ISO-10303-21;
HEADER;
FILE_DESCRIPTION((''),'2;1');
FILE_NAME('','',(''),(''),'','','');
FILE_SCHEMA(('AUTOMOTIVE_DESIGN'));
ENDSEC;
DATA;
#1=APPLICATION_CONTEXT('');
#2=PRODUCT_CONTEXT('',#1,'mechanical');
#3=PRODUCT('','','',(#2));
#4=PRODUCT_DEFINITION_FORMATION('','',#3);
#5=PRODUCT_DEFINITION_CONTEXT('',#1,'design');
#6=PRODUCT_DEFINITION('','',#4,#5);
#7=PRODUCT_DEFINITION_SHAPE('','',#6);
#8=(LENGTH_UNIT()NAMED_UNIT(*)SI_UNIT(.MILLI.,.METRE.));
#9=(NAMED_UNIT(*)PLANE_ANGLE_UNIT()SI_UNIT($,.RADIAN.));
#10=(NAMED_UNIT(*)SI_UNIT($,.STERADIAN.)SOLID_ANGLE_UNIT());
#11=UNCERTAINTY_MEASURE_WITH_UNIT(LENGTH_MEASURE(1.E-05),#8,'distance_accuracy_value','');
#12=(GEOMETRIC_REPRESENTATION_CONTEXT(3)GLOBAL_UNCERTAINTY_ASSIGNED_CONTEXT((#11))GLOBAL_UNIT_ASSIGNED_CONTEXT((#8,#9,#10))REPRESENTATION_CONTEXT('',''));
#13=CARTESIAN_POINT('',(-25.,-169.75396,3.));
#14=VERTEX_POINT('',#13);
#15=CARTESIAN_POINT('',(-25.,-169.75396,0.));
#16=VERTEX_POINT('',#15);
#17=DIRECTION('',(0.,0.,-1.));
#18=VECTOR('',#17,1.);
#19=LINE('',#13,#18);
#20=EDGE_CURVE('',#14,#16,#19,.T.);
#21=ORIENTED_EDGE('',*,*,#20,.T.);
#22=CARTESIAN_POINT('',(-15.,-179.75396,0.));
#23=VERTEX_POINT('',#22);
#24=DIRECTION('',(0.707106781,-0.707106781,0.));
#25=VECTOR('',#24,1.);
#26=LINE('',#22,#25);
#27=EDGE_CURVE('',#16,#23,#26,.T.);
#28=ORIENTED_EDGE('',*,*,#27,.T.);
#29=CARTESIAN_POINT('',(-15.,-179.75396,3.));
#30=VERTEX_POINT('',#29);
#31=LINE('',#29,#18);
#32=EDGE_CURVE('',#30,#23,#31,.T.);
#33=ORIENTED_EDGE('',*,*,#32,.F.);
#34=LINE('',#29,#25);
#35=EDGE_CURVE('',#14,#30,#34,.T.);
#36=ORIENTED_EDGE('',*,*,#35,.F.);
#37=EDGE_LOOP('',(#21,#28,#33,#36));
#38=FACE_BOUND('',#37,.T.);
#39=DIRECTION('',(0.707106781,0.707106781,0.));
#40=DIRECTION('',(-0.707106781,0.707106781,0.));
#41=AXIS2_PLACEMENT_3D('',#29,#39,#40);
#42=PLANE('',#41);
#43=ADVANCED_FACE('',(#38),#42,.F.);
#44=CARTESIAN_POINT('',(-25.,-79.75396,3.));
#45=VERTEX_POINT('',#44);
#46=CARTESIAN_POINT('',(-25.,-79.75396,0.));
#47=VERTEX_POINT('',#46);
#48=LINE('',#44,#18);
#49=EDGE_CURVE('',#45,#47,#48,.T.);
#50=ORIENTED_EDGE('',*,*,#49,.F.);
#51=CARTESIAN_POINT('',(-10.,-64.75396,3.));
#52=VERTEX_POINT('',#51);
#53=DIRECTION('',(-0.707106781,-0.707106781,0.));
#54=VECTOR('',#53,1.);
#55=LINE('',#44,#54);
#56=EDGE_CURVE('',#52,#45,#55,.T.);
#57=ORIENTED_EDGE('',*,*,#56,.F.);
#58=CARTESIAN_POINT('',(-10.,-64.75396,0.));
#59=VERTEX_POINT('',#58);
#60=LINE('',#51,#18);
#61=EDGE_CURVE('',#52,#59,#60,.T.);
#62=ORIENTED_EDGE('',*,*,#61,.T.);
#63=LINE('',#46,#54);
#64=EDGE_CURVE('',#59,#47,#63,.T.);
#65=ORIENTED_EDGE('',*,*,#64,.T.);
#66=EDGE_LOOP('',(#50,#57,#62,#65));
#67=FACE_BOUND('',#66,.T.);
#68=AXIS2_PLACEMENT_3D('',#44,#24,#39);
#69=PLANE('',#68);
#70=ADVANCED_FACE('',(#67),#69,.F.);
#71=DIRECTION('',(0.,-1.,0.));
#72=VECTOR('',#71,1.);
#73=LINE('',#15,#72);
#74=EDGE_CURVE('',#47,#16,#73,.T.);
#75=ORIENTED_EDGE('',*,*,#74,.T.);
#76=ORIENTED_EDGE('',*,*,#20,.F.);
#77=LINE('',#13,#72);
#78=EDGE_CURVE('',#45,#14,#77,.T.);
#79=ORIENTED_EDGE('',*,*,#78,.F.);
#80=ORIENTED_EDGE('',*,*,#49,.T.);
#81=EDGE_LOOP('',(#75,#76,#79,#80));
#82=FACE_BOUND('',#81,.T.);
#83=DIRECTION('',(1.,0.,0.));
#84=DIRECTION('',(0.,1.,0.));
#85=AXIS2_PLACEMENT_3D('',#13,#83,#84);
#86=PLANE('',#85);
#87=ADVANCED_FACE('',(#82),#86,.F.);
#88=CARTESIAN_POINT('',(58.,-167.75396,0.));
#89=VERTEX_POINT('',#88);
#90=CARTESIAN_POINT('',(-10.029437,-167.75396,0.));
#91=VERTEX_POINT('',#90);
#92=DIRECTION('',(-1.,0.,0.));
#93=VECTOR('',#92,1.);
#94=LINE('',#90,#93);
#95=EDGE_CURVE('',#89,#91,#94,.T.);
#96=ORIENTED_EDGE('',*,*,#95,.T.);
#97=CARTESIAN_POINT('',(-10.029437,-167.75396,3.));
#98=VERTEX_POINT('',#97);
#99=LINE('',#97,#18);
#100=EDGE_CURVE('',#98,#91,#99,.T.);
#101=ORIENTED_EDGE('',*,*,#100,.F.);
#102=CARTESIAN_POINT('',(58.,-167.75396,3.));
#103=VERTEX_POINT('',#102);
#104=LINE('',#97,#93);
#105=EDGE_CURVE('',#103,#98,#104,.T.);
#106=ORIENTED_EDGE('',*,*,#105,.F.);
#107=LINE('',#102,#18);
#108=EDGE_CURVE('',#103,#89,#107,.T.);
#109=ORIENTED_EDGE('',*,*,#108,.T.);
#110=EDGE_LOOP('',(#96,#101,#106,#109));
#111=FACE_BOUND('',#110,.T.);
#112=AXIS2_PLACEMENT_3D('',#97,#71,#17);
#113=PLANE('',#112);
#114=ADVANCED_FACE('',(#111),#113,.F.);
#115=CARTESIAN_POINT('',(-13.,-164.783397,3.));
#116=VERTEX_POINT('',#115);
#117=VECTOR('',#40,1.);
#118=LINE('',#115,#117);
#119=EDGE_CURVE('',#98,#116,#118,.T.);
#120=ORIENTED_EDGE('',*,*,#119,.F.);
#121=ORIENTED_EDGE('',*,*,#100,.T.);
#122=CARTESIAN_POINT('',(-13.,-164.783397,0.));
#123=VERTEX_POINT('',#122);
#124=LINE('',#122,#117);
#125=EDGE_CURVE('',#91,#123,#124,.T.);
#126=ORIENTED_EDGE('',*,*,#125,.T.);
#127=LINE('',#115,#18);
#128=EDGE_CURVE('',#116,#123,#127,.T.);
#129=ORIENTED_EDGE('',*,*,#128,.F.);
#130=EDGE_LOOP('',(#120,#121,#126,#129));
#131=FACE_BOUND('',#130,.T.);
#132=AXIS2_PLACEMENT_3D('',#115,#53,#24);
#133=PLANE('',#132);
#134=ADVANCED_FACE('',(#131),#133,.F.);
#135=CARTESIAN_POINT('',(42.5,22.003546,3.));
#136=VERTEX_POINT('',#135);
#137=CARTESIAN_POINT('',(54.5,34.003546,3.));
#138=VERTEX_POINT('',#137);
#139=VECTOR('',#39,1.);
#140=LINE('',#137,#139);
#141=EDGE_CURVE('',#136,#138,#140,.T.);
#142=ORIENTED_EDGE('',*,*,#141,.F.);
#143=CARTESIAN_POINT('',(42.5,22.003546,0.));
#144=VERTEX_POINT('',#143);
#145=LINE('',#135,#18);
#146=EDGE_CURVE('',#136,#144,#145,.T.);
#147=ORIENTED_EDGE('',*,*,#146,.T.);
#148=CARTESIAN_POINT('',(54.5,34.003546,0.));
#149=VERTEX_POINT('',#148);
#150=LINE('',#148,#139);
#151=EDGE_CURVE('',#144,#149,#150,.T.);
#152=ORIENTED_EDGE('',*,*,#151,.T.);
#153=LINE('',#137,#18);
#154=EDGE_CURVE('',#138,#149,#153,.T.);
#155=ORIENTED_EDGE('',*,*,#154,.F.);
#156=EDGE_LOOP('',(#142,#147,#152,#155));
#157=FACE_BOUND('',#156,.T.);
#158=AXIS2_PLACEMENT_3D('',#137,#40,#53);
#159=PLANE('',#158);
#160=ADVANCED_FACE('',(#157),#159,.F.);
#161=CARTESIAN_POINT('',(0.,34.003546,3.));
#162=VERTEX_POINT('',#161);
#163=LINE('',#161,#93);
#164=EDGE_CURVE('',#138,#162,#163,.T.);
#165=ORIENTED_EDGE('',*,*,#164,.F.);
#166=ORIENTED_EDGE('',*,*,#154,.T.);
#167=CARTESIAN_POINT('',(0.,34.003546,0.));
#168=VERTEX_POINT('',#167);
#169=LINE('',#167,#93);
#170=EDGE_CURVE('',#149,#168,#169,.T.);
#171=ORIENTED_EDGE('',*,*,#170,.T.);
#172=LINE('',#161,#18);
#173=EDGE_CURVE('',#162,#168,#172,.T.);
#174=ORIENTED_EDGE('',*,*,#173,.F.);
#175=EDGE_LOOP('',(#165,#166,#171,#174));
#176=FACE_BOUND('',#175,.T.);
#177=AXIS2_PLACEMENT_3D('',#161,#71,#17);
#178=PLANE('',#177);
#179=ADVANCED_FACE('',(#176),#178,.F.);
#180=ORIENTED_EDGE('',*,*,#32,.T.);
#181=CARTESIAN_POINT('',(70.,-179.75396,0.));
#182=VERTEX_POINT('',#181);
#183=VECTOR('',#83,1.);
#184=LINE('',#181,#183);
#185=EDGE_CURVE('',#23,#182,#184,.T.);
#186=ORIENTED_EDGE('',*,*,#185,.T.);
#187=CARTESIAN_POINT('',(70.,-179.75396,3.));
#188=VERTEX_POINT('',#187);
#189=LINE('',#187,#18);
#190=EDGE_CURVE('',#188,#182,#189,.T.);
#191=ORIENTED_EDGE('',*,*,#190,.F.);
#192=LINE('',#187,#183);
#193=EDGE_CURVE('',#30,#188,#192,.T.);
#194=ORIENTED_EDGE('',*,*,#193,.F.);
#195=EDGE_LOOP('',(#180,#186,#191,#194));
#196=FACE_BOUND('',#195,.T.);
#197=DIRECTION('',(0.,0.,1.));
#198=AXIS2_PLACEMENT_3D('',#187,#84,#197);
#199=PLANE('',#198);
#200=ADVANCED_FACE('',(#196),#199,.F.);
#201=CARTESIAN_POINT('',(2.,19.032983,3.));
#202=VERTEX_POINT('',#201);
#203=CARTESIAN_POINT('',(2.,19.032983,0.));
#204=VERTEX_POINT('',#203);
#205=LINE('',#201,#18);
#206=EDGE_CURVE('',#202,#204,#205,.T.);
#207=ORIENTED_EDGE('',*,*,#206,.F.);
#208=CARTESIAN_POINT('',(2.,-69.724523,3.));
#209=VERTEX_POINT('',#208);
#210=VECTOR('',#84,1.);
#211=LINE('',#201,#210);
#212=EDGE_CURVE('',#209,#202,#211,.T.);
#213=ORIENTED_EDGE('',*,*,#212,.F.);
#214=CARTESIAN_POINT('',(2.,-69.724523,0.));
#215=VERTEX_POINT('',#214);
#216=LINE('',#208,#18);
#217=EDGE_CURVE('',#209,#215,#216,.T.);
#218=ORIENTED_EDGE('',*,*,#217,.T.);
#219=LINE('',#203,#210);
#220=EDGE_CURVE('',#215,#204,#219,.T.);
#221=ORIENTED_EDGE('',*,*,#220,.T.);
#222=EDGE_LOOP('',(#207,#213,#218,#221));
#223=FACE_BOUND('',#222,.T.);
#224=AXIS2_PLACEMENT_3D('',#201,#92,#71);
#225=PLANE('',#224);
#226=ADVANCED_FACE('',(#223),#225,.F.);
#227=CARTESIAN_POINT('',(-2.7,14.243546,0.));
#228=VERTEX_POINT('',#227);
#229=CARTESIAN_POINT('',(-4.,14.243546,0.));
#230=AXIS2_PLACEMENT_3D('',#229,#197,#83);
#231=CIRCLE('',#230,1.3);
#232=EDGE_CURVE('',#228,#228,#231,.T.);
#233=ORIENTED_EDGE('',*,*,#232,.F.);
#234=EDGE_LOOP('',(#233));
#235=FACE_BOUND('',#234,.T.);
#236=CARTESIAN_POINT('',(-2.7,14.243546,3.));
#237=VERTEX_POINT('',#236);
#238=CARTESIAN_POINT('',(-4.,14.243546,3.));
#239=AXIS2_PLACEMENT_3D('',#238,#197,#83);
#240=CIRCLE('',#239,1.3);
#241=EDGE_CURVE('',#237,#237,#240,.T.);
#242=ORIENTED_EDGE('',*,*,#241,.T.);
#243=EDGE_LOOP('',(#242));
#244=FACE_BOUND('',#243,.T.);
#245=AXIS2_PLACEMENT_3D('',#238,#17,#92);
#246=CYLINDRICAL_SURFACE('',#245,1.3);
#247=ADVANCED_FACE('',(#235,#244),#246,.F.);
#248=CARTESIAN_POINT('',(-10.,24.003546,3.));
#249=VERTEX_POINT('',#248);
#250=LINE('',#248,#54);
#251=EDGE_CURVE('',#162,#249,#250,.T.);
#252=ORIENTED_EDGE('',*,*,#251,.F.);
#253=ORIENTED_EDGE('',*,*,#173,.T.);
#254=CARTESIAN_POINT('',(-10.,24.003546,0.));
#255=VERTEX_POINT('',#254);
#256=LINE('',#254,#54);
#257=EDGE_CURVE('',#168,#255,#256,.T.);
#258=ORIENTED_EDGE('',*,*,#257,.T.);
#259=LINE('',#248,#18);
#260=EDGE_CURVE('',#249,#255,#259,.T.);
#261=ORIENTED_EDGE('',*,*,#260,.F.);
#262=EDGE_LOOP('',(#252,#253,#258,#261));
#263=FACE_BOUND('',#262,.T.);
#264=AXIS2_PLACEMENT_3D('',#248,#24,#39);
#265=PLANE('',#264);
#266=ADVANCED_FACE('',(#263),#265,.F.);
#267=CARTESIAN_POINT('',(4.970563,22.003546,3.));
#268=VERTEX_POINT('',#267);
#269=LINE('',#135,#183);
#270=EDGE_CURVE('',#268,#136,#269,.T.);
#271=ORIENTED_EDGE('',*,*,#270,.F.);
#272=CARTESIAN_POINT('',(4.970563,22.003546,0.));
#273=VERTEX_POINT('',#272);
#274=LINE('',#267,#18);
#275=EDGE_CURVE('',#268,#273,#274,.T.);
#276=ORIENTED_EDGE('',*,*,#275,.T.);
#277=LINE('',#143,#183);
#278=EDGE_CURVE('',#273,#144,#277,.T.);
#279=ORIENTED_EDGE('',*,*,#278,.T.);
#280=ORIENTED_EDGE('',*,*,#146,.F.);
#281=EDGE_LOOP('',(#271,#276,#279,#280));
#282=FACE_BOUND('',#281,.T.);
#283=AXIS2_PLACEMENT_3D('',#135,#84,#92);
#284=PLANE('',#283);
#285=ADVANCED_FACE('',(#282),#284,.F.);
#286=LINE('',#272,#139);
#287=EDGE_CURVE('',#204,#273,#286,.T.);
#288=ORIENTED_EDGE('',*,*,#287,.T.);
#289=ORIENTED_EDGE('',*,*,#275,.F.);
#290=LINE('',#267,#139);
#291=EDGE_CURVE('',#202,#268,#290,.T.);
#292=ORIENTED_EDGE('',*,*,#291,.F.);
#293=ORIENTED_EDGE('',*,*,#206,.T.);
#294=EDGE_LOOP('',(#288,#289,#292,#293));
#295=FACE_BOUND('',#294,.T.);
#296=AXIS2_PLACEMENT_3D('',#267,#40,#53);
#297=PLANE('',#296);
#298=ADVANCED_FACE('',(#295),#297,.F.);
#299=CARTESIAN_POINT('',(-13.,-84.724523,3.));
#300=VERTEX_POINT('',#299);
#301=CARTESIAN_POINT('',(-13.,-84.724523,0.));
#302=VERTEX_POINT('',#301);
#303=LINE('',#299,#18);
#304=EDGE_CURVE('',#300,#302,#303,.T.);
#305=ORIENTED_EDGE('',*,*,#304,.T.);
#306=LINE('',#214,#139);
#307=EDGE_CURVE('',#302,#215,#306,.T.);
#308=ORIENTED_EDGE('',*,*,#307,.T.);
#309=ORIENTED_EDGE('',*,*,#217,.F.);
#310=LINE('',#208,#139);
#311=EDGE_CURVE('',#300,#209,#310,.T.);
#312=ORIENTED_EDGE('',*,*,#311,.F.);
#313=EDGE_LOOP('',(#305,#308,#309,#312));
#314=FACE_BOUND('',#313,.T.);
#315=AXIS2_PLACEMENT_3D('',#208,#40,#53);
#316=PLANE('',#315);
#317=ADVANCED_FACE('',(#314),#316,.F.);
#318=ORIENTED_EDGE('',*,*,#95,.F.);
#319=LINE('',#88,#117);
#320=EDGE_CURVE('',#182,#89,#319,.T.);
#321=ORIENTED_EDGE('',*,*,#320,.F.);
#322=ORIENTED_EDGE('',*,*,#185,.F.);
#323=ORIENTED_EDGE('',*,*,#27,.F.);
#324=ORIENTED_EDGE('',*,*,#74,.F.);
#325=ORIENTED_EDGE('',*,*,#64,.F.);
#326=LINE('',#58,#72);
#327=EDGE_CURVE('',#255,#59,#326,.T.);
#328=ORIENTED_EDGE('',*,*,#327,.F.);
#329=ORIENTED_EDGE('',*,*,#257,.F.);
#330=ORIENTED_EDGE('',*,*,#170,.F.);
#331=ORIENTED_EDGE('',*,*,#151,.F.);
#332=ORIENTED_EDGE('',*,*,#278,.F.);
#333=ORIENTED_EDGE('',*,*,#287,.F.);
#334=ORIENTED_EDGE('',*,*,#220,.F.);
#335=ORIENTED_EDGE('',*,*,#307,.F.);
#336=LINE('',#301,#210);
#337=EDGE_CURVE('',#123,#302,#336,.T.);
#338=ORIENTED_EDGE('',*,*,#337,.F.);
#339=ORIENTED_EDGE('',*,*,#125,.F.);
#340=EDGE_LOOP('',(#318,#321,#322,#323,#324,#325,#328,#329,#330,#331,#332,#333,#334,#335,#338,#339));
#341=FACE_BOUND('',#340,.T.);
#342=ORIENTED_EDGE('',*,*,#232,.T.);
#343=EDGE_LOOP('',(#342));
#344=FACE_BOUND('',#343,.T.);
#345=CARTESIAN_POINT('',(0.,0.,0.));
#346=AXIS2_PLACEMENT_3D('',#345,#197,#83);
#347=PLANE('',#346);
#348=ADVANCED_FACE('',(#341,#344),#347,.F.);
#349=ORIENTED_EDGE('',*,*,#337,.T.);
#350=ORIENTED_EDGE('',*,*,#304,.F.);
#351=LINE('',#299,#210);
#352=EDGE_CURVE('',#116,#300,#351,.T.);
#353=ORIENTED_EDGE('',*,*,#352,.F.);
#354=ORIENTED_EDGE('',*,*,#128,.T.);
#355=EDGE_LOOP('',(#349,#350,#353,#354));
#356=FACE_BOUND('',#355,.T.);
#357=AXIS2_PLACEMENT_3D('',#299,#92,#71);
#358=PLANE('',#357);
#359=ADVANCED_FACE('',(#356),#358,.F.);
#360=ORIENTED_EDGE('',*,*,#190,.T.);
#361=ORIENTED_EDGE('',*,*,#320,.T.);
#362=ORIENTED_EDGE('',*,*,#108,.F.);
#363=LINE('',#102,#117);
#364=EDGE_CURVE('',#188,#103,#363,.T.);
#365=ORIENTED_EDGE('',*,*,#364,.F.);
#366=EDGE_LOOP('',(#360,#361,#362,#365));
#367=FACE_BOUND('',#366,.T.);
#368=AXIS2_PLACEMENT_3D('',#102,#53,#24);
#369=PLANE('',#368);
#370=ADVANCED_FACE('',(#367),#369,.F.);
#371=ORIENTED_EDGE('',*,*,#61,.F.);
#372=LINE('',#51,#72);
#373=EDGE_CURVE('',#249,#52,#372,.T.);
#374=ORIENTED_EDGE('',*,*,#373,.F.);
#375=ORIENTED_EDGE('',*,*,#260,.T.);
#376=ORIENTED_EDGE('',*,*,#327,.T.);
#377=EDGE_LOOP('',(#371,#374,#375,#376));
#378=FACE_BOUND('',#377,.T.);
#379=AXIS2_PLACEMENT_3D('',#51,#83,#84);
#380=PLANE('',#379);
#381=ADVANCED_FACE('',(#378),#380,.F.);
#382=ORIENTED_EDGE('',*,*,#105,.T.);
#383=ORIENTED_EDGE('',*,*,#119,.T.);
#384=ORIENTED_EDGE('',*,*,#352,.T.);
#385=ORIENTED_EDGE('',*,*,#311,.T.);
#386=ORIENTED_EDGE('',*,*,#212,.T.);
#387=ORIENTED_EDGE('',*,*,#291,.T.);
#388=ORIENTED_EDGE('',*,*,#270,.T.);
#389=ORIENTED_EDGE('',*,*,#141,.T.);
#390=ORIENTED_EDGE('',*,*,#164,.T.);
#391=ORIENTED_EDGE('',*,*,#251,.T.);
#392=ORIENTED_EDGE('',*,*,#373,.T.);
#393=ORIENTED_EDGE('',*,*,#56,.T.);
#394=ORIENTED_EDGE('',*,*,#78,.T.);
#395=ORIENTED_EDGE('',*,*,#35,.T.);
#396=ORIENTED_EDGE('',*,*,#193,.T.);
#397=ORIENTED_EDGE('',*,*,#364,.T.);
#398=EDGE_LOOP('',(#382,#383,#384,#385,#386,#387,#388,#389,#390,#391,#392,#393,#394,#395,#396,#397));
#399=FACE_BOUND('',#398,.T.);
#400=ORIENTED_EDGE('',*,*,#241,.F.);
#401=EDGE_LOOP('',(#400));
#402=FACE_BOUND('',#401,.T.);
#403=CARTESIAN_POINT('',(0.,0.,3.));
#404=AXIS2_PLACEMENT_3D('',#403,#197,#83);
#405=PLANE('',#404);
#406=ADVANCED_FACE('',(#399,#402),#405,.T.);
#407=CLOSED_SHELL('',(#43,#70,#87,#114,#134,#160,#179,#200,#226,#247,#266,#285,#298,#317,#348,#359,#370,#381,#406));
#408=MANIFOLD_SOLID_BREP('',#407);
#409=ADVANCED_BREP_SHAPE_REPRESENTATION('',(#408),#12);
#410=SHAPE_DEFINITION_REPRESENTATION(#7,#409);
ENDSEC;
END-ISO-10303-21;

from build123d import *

# Parameters (mm, degrees)
SKETCH1_R      = 1.3
EXTRUDE1_DEPTH = 3


with BuildPart() as part:
    # Sketch1 → Extrude1 (new body)
    with BuildSketch(Plane.XY):
        Polygon((70, -179.753959847), (-15, -179.753959847), (-25, -169.753959847), (-25, -79.753959847), (-10, -64.753959847), (-10, 24.003545781), (0, 34.003545781), (54.5, 34.003545781), (42.5, 22.003545781), (4.970562749, 22.003545781), (2, 19.032983033), (2, -69.724522596), (-13, -84.724522596), (-13, -164.783397099), (-10.029437251, -167.753959847), (58, -167.753959847), align=None)
        with Locations((-4, 14.243545781)):
            Circle(SKETCH1_R, mode=Mode.SUBTRACT)
    extrude(amount=EXTRUDE1_DEPTH)


solid = part.part
